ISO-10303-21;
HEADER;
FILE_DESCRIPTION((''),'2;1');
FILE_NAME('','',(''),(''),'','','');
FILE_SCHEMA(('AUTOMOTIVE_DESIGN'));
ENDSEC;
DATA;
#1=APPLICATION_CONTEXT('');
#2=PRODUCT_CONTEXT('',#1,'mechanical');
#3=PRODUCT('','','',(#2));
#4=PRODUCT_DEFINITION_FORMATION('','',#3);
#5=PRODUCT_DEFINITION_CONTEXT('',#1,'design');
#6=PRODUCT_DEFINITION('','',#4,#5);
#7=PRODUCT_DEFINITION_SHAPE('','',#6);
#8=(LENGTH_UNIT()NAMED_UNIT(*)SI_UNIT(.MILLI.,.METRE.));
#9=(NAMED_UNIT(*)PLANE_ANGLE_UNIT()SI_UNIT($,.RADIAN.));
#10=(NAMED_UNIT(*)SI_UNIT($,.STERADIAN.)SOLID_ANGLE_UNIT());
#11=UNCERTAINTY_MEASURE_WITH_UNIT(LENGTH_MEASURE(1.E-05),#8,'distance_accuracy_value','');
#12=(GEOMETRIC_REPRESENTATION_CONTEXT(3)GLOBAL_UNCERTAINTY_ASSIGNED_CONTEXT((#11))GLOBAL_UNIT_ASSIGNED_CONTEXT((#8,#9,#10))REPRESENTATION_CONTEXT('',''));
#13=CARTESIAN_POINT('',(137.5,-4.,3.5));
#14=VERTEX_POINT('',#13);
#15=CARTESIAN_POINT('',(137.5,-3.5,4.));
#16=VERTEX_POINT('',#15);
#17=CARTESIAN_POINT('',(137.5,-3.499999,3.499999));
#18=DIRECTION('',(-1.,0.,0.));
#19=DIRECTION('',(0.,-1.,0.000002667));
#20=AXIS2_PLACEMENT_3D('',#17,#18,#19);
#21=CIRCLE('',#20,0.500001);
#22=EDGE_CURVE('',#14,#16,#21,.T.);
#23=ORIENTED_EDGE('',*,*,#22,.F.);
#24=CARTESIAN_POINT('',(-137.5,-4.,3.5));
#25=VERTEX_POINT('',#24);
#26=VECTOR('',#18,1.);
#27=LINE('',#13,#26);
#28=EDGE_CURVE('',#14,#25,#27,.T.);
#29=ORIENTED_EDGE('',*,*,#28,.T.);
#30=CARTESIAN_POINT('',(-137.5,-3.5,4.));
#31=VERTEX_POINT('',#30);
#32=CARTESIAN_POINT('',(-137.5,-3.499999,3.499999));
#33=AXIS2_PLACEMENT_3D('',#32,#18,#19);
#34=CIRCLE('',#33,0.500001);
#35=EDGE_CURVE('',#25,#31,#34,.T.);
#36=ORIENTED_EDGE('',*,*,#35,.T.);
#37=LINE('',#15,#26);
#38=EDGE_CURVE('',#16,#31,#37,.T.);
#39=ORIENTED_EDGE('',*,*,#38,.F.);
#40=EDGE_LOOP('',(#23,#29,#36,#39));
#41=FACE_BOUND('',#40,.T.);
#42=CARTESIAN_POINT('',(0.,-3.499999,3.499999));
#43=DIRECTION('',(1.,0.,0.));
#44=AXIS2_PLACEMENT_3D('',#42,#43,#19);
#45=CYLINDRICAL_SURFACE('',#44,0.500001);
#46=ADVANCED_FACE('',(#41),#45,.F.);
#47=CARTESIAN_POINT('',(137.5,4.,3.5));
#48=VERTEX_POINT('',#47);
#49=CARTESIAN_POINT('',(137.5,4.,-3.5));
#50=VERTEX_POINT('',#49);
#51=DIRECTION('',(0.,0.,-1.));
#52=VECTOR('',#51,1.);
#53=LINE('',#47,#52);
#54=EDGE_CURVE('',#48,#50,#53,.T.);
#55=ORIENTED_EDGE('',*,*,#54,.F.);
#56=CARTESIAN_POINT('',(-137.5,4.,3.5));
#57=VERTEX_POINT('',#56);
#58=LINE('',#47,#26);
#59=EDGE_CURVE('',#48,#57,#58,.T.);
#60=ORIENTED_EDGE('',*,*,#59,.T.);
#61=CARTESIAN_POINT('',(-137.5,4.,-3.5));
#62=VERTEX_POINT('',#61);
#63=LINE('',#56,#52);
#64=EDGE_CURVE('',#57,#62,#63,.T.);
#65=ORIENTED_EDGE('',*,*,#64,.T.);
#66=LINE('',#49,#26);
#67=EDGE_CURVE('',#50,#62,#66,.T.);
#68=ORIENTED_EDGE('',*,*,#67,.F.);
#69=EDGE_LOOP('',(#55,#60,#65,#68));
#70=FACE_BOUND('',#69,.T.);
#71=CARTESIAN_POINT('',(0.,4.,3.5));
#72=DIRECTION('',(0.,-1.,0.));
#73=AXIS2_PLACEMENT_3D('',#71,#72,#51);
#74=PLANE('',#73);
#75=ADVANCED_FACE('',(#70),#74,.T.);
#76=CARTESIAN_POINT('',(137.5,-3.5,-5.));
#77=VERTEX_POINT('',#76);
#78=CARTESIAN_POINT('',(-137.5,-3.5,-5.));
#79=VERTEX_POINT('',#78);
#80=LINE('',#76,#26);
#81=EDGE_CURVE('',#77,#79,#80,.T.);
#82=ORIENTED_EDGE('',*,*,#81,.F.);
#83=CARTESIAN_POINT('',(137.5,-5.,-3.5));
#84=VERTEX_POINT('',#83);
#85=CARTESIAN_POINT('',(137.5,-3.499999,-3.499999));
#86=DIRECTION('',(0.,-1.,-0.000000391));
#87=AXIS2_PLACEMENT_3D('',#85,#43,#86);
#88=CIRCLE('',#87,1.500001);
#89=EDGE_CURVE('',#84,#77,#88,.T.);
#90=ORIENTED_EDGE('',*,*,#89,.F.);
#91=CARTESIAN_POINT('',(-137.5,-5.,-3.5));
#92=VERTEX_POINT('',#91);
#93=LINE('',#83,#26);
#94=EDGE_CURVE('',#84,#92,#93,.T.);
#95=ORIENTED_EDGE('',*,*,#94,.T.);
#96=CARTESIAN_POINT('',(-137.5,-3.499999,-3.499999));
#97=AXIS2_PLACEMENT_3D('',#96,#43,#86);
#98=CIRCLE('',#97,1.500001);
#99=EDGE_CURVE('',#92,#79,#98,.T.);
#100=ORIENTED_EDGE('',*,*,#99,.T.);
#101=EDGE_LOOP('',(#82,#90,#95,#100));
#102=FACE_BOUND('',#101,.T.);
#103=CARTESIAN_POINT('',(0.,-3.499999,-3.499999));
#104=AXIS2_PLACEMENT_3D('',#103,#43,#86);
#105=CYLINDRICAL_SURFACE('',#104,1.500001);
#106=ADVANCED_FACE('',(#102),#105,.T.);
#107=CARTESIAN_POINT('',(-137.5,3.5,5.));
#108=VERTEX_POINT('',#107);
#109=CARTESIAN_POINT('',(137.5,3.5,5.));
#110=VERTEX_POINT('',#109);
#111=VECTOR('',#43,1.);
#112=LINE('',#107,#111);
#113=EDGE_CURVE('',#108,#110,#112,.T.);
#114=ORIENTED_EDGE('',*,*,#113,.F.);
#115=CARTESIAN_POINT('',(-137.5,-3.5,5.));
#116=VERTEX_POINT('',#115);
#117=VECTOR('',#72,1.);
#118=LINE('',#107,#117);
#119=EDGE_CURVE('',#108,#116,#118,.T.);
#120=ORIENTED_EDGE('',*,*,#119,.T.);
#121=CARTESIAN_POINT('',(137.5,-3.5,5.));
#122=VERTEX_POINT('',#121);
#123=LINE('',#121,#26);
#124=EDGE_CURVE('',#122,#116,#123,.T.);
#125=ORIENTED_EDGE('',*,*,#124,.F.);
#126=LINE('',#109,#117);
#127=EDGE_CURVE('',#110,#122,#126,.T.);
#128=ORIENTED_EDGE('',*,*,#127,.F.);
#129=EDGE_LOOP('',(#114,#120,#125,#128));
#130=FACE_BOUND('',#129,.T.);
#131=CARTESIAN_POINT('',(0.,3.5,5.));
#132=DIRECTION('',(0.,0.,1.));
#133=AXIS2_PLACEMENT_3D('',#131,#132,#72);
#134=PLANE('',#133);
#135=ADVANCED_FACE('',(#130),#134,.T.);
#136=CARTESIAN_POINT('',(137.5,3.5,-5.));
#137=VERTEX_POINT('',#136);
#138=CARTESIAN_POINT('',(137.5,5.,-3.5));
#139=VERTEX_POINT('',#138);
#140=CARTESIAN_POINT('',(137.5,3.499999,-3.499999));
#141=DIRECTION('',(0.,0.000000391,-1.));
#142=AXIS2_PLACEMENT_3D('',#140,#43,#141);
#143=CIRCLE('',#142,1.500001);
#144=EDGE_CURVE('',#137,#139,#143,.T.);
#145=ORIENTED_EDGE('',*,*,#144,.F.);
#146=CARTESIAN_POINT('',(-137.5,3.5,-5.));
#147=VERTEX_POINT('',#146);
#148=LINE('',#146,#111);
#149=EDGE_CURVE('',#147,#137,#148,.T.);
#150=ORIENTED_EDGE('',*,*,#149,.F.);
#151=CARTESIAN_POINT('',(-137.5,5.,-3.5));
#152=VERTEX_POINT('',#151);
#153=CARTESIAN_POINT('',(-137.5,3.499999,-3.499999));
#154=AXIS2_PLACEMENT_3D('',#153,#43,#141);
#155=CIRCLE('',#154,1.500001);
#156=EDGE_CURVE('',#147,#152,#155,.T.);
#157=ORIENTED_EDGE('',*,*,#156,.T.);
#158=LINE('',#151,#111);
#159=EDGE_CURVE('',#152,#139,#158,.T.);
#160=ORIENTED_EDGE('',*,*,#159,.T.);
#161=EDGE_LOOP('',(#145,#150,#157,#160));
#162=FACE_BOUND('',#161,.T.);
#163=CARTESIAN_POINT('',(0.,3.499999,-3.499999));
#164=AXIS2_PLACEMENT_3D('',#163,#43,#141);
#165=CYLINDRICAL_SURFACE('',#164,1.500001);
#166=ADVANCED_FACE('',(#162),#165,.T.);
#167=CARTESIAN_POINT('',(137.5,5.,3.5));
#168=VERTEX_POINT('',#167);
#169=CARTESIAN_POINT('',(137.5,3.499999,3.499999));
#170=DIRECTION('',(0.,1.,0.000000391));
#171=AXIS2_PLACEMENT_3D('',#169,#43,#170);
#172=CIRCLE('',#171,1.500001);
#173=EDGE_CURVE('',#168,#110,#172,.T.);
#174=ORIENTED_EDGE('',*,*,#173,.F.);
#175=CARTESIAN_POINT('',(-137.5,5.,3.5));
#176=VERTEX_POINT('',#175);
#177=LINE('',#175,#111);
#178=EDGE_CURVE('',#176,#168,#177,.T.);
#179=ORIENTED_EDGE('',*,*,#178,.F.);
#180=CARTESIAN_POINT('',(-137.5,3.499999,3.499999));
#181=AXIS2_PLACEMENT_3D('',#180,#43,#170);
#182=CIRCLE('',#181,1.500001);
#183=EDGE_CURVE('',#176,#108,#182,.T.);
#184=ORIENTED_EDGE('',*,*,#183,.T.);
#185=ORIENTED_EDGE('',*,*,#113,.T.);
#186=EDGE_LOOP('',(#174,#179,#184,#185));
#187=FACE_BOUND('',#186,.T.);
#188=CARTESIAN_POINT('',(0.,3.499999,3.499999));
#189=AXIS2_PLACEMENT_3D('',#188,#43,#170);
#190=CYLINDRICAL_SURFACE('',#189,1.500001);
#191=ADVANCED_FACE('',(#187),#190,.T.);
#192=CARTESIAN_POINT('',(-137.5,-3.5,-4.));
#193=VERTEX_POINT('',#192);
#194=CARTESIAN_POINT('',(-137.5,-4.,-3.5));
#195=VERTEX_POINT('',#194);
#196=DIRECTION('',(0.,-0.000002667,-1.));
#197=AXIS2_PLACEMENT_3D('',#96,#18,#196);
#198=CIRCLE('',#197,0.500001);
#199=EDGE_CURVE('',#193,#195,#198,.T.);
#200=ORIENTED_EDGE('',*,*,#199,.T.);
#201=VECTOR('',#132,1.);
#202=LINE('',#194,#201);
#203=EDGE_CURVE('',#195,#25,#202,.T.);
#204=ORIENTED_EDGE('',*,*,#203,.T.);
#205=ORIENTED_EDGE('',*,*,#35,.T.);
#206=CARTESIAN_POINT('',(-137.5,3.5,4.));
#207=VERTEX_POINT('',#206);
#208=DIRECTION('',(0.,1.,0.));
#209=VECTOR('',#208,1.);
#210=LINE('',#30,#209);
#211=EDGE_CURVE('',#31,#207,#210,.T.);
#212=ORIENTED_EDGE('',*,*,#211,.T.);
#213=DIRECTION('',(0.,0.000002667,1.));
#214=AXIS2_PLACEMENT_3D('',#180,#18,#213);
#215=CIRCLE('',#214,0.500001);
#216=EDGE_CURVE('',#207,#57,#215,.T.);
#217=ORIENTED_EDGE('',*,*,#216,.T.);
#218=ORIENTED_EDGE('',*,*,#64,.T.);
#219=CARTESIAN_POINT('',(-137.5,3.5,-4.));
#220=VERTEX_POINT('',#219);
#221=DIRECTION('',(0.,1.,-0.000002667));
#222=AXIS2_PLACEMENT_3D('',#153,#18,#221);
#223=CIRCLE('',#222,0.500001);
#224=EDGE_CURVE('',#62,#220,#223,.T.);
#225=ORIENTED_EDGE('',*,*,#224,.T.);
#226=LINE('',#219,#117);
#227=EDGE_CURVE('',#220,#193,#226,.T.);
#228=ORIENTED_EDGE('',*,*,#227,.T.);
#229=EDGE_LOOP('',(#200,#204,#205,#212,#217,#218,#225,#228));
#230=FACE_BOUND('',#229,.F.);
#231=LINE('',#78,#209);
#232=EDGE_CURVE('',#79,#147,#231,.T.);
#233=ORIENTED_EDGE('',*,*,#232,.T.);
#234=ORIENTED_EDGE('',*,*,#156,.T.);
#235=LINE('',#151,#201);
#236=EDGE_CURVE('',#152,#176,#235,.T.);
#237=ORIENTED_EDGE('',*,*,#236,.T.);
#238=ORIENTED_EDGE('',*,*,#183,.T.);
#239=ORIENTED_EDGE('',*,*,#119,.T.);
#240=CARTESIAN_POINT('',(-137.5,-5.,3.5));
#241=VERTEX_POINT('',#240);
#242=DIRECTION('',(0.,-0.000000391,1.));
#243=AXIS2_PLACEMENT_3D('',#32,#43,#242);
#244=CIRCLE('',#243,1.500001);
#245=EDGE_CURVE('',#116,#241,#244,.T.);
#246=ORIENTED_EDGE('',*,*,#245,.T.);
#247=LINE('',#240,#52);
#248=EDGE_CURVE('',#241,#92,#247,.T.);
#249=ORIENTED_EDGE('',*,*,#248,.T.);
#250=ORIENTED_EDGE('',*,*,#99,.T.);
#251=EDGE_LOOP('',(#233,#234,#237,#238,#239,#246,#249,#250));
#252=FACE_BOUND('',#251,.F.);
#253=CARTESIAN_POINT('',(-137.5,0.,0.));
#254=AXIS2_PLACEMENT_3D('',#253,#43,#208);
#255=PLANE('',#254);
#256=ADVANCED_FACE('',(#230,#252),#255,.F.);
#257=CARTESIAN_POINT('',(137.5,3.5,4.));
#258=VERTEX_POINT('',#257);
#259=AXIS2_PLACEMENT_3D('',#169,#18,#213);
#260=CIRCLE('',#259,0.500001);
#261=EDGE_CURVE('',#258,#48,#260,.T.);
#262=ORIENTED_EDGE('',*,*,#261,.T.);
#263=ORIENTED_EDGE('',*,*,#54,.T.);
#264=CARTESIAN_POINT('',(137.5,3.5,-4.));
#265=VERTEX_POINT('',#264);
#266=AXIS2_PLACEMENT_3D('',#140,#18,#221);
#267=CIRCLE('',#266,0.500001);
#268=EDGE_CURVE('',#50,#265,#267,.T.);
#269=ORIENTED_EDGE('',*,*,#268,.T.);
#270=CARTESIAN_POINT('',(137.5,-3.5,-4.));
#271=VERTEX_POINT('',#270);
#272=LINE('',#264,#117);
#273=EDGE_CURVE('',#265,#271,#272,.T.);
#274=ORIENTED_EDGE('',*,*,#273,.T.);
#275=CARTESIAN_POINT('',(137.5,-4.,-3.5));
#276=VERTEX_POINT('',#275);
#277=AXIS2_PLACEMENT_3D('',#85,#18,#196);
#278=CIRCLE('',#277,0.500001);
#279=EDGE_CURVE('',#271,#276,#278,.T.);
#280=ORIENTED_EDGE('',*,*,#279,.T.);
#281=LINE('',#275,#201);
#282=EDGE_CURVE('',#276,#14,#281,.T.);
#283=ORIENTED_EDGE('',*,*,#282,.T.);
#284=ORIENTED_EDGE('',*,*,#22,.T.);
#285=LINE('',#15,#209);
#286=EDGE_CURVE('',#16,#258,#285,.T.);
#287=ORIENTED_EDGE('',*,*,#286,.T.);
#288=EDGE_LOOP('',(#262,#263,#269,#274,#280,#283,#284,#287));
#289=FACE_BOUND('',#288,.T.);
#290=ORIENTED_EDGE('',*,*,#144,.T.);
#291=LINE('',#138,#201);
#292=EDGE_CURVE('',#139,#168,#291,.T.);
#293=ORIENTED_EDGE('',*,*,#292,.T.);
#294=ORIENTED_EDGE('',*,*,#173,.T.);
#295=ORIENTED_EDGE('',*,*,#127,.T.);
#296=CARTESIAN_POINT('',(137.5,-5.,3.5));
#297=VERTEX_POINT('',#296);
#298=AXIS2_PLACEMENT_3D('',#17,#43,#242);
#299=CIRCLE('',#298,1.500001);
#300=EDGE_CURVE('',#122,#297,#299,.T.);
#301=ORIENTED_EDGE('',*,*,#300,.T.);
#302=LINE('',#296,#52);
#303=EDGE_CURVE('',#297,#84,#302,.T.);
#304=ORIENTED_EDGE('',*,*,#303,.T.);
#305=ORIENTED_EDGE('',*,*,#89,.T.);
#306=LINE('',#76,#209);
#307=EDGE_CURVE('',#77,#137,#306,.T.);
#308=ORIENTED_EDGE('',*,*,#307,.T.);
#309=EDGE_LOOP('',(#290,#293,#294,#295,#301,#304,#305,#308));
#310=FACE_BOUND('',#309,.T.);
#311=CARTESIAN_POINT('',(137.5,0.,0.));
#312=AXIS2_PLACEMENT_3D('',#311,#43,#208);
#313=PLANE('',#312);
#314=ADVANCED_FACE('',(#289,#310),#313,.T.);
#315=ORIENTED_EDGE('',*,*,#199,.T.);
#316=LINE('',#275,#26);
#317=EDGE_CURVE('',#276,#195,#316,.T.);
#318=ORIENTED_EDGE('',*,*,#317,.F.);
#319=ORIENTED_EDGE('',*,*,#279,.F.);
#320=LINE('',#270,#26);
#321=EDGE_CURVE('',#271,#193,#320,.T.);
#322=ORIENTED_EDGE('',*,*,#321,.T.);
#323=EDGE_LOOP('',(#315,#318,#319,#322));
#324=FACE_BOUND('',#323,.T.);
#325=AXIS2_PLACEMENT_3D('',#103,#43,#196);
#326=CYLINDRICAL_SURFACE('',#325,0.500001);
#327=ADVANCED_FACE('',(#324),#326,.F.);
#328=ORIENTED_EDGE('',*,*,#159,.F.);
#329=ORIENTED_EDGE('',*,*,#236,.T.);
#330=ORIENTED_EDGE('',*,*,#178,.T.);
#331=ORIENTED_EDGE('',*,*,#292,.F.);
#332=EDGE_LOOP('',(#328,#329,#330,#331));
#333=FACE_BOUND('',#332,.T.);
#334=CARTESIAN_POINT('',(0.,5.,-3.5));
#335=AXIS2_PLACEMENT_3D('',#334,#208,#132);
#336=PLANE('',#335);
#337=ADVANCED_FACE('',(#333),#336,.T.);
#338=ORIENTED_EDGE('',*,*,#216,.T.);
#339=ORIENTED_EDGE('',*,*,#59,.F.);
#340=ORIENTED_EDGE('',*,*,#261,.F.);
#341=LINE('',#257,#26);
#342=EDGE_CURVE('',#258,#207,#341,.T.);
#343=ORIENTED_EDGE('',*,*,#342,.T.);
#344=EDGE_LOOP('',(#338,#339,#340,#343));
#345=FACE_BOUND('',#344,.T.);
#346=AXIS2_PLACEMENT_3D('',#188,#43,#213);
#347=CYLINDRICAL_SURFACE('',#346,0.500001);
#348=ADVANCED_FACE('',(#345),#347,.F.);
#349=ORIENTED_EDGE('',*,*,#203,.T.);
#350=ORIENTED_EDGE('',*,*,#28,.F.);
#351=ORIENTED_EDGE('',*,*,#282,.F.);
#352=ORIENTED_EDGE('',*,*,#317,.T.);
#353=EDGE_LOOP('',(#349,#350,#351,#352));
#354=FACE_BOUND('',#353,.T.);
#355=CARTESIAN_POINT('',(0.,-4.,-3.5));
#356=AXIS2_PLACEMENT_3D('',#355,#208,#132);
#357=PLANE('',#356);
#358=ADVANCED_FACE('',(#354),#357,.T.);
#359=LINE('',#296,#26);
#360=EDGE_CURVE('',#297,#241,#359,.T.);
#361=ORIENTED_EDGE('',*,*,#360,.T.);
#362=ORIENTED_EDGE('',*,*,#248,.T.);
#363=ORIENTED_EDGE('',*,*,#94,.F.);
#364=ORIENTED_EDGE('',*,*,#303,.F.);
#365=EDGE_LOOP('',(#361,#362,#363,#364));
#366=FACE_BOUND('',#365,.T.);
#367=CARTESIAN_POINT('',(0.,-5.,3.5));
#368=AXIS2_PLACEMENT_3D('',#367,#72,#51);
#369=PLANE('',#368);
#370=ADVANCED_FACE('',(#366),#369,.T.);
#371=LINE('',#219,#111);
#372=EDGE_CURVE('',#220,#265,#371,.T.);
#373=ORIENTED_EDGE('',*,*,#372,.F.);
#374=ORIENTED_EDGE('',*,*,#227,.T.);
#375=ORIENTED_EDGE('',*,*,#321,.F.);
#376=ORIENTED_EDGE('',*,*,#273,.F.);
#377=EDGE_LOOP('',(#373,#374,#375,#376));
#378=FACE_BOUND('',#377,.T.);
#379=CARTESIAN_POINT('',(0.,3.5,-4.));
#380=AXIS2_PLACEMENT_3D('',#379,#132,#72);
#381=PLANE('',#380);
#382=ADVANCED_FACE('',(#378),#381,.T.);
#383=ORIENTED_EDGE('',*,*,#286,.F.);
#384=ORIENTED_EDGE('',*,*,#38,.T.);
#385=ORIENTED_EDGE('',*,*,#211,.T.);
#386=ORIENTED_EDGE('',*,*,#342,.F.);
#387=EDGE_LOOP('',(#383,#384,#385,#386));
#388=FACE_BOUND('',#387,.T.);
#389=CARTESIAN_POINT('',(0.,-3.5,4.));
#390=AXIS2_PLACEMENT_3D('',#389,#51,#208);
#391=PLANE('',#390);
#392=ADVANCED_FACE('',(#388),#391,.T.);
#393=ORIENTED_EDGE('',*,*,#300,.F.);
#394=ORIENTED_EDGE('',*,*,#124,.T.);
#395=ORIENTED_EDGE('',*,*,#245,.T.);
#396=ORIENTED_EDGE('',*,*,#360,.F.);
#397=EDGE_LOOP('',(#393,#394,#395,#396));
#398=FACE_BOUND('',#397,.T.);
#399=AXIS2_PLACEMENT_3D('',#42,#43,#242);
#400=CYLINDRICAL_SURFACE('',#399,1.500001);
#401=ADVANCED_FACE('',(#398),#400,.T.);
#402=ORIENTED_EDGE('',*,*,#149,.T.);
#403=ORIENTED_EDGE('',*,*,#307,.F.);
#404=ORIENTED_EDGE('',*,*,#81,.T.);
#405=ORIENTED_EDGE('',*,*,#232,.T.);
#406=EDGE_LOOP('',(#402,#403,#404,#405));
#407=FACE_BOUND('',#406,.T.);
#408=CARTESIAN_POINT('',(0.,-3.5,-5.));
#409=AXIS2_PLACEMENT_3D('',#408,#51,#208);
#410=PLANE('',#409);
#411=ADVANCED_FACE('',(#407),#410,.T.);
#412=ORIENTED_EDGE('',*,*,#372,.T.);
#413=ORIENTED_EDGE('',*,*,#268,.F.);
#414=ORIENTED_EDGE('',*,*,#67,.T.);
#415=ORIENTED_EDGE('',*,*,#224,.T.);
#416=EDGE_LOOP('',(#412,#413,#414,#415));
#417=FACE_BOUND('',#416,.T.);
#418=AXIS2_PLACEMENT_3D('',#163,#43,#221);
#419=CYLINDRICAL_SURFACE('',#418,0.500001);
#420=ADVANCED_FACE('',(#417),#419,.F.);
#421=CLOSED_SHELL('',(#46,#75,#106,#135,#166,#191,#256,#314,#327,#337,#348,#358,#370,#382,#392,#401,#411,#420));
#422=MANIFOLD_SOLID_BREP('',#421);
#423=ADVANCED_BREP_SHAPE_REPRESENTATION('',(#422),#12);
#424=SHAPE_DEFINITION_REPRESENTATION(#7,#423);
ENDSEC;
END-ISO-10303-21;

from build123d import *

# Parameters (mm, degrees)
F1_DEPTH = 137.5


with BuildPart() as f1:
    # F0 (on Right) → F1 (new body, symmetric)
    with BuildSketch(Plane.YZ):
        with BuildLine():
            Line((-3.5, -5), (3.5, -5))
            ThreePointArc((3.5, -5), (4.56066, -4.56066), (5, -3.5))
            Line((5, -3.5), (5, 3.5))
            ThreePointArc((5, 3.5), (4.56066, 4.56066), (3.5, 5))
            Line((3.5, 5), (-3.5, 5))
            ThreePointArc((-3.5, 5), (-4.56066, 4.56066), (-5, 3.5))
            Line((-5, 3.5), (-5, -3.5))
            ThreePointArc((-5, -3.5), (-4.56066, -4.56066), (-3.5, -5))
        make_face()
        with BuildLine():
            Line((3.5, -4), (-3.5, -4))
            ThreePointArc((-3.5, -4), (-3.853553, -3.853553), (-4, -3.5))
            Line((-4, -3.5), (-4, 3.5))
            ThreePointArc((-4, 3.5), (-3.853553, 3.853553), (-3.5, 4))
            Line((-3.5, 4), (3.5, 4))
            ThreePointArc((3.5, 4), (3.853553, 3.853553), (4, 3.5))
            Line((4, 3.5), (4, -3.5))
            ThreePointArc((4, -3.5), (3.853553, -3.853553), (3.5, -4))
        make_face(mode=Mode.SUBTRACT)
    extrude(amount=F1_DEPTH, both=True)


solid = f1.part
